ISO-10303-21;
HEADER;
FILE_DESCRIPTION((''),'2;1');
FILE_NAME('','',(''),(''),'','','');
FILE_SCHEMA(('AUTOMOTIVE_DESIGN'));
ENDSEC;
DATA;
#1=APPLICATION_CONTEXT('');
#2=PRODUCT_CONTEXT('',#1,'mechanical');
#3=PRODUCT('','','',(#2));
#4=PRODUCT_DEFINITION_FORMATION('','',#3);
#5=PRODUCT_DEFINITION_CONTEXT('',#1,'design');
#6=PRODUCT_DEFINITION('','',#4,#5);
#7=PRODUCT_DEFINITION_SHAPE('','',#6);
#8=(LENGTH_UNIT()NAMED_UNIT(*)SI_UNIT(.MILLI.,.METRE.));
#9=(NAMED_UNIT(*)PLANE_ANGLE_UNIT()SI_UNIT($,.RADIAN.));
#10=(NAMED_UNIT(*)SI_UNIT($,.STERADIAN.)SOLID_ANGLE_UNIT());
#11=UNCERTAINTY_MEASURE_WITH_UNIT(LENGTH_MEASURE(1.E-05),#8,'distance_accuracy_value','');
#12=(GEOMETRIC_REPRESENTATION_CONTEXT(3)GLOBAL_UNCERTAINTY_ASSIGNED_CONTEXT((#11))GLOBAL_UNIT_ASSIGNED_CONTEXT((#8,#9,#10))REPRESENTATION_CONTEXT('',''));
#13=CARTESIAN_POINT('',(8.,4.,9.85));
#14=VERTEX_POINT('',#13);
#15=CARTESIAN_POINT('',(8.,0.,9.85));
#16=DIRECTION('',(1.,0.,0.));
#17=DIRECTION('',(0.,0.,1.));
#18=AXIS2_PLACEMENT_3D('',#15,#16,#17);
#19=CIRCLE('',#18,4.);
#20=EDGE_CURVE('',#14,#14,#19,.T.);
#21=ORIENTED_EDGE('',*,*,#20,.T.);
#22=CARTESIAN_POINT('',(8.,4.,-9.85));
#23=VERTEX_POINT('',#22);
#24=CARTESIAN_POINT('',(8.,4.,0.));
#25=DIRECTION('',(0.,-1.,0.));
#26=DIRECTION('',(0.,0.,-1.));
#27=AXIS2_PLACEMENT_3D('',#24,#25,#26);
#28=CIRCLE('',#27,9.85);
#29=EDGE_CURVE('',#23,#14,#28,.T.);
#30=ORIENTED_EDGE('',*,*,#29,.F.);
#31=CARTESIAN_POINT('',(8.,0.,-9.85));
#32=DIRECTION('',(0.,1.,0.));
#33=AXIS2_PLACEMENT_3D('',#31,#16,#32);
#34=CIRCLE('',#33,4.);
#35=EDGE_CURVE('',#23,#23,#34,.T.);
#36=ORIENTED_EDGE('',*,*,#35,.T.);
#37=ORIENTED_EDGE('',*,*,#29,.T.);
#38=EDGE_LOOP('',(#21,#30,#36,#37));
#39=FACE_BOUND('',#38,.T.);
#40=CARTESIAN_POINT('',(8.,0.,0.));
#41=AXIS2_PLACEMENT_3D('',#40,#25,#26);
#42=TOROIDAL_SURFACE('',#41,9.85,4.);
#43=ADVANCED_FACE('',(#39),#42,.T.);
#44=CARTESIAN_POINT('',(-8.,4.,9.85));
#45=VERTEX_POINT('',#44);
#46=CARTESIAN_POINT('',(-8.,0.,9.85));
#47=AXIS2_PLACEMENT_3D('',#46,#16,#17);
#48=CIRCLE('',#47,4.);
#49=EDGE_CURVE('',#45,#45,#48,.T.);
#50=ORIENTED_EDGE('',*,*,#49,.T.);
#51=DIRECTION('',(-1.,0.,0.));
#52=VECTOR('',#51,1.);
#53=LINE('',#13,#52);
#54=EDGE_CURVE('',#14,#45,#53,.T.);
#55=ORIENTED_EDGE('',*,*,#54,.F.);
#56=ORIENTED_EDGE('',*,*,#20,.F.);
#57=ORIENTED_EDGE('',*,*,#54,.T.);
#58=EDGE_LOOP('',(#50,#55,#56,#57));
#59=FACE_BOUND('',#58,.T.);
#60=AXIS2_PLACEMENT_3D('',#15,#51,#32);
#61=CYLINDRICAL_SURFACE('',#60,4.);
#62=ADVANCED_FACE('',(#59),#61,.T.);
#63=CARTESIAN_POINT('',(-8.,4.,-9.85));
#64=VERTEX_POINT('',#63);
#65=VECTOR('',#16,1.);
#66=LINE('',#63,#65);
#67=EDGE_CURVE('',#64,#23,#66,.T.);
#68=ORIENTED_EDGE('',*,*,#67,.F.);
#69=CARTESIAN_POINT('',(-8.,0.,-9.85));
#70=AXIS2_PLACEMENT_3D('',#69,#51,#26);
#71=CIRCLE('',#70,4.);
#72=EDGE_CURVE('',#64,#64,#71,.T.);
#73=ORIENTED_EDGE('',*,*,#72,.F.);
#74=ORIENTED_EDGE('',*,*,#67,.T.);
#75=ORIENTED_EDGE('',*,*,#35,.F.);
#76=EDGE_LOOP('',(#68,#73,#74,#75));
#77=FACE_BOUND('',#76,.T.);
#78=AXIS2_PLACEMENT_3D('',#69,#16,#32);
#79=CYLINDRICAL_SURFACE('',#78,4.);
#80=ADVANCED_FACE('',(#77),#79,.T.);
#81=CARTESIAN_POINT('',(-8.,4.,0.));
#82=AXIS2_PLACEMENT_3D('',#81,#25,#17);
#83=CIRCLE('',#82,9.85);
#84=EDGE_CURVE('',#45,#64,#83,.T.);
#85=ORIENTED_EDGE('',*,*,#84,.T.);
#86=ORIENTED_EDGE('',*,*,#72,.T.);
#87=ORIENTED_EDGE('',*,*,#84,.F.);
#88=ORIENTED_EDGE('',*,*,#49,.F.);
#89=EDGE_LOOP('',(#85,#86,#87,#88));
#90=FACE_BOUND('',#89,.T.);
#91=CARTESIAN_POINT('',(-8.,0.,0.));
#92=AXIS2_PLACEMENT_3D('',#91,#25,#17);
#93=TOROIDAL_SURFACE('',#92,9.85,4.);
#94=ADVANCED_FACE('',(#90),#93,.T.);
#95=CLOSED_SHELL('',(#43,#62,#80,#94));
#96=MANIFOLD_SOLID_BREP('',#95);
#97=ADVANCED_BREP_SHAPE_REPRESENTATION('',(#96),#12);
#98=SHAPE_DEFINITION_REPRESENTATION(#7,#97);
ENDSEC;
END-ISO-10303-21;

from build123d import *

# Parameters (mm, degrees)
F2_R = 4


with BuildPart() as f3:
    # F3: sweep along a path in F0
    with BuildLine(Plane.XZ) as f3_path:
        ThreePointArc((-8, 9.85), (-17.85, 0), (-8, -9.85))
        Line((-8, -9.85), (8, -9.85))
        ThreePointArc((8, -9.85), (17.85, 0), (8, 9.85))
        Line((8, 9.85), (-8, 9.85))
    # F2 (on offset) → F3 (sweep)
    with BuildSketch(Plane.YZ.offset(-8)):
        with Locations((0, 9.85)):
            Circle(F2_R)
    sweep(path=f3_path.line)


solid = f3.part
